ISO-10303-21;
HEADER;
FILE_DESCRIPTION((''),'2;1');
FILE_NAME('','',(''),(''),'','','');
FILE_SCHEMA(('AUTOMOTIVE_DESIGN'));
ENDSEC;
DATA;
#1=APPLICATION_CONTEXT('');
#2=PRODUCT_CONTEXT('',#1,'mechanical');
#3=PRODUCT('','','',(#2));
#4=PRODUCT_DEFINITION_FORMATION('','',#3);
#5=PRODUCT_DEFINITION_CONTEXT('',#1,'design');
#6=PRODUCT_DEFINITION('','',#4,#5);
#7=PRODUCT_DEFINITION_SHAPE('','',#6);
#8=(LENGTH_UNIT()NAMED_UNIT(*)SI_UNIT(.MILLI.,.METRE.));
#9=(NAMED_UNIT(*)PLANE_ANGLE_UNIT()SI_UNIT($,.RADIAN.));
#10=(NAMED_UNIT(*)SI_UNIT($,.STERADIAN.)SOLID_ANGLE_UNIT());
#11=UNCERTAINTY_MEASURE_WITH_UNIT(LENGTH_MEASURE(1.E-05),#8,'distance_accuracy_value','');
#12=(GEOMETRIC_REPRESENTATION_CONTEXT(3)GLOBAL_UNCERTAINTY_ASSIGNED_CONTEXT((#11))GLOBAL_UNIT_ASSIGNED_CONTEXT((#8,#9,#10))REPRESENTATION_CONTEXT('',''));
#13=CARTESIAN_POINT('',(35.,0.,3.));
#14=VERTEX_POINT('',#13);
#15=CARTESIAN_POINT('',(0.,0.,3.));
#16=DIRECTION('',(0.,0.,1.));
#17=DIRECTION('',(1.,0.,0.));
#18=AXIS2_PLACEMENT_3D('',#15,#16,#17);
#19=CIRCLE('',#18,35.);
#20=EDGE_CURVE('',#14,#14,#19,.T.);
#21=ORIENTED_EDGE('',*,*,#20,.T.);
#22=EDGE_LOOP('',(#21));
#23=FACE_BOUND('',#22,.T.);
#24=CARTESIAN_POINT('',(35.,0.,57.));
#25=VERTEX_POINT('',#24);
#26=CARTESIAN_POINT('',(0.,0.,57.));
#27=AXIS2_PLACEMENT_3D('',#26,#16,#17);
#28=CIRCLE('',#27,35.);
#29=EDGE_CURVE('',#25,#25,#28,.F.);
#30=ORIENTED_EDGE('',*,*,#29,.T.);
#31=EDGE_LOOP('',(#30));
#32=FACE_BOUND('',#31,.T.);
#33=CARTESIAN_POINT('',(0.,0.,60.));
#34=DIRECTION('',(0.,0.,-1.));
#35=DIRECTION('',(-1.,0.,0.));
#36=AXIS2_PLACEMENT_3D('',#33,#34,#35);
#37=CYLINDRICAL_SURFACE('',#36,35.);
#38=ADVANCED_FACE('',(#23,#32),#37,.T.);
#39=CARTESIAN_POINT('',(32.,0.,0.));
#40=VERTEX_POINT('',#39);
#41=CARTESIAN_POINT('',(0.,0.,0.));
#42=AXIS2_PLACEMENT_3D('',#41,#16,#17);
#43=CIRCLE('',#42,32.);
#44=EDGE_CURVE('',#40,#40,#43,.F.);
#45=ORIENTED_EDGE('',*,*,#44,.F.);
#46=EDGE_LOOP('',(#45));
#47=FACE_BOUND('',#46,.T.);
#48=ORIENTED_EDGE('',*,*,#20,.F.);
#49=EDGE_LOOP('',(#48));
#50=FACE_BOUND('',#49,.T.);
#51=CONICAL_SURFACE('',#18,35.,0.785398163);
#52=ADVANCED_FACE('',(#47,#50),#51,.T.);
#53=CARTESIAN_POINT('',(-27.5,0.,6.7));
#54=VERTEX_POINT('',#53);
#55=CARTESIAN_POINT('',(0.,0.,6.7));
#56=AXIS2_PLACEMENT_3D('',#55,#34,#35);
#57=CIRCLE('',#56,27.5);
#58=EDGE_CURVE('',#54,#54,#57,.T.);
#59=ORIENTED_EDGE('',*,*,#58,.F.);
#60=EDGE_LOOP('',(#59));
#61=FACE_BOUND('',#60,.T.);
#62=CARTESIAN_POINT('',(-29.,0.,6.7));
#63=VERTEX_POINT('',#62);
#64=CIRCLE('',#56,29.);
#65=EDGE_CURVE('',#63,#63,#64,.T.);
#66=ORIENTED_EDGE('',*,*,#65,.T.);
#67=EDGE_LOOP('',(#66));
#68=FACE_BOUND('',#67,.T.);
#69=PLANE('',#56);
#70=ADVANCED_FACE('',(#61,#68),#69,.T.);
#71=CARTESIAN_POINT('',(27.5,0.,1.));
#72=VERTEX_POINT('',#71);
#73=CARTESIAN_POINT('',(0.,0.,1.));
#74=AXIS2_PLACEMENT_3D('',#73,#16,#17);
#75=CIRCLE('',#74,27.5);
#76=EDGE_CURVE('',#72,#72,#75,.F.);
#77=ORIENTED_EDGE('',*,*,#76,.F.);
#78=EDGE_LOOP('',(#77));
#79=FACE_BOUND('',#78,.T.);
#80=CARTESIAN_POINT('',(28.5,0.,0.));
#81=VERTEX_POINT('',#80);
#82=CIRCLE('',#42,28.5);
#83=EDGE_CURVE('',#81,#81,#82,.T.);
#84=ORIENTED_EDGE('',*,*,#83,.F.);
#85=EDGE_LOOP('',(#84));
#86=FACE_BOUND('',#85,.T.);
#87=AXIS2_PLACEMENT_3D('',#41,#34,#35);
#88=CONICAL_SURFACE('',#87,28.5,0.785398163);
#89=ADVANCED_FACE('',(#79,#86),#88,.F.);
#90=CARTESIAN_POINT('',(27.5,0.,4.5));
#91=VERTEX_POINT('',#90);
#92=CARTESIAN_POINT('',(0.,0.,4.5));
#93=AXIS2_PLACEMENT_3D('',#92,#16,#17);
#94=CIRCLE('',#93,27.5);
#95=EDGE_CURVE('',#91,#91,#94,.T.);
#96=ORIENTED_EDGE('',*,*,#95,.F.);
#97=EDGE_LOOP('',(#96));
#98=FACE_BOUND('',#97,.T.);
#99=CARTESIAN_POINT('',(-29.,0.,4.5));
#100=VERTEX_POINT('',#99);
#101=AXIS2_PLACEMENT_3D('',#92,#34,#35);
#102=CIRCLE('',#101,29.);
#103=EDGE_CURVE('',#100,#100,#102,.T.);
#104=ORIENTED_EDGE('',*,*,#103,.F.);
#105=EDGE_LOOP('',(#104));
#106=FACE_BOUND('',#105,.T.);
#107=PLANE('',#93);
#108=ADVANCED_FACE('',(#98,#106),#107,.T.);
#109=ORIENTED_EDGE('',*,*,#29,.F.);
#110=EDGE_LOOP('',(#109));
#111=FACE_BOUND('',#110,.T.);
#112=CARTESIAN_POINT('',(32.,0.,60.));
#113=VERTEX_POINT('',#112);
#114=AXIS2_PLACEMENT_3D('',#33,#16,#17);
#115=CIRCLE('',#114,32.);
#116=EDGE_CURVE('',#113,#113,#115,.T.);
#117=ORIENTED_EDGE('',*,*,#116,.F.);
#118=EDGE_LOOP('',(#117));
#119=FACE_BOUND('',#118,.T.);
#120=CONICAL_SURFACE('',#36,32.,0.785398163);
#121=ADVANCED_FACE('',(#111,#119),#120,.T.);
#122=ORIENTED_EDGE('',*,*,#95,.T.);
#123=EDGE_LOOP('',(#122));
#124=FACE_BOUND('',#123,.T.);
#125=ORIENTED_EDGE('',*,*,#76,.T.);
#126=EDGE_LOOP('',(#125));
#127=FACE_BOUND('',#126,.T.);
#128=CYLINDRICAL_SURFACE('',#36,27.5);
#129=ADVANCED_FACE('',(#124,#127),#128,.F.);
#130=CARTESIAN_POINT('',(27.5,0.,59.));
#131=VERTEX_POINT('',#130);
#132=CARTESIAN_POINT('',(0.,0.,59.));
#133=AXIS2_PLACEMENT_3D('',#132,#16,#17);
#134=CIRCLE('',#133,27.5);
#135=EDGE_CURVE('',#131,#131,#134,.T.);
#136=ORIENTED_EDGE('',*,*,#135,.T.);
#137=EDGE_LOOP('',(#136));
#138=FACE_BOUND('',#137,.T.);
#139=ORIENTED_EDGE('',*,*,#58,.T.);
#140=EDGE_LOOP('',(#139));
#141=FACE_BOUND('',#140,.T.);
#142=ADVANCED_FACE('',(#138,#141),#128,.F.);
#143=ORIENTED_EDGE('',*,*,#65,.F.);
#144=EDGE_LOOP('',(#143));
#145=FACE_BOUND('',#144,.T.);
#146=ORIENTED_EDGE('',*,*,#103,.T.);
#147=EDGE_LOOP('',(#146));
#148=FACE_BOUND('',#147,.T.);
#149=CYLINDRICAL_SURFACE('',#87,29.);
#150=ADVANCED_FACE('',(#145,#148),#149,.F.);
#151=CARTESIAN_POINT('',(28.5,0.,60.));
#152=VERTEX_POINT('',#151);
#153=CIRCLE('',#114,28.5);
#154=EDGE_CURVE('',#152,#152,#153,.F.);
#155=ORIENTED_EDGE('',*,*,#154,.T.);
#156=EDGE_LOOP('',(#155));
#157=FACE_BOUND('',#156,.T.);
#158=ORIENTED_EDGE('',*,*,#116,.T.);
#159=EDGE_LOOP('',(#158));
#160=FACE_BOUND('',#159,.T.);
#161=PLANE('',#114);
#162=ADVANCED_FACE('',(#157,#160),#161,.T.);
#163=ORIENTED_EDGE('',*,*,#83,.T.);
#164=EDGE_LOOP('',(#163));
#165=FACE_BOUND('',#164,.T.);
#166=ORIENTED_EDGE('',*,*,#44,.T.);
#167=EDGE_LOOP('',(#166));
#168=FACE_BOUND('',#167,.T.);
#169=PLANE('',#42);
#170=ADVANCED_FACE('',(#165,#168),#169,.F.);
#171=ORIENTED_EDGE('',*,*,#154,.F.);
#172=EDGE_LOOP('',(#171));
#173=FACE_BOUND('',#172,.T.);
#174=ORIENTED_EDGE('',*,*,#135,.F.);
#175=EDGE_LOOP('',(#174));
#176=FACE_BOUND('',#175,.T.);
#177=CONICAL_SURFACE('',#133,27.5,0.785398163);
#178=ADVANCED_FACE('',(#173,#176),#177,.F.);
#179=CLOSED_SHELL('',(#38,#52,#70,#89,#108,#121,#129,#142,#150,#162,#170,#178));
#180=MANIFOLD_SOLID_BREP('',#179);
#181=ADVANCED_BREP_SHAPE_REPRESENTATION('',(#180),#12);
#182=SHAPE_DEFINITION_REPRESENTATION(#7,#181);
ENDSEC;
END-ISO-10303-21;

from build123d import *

# Parameters (mm, degrees)
SKETCH_1_R      = 35
SKETCH_1_R_2    = 27.5
EXTRUDE_1_DEPTH = 60
CHAMFER_1_SIZE  = 3
SKETCH_2_W      = 29
SKETCH_2_H      = 2.2
CHAMFER_2_SIZE  = 1


with BuildPart() as part:
    # 草图1 → 凸台-拉伸1 (new body)
    with BuildSketch(Plane.XY):
        Circle(SKETCH_1_R)
        Circle(SKETCH_1_R_2, mode=Mode.SUBTRACT)
    extrude(amount=EXTRUDE_1_DEPTH)

    # 倒角1
    chamfer_1_edges = [part.edges().sort_by_distance(p)[0] for p in [
        (-35, 0, 0),
        (-35, 0, 60),
    ]]
    chamfer(chamfer_1_edges, length=CHAMFER_1_SIZE)

    # 草图2 → 切除-旋转1 (revolve, cut)
    with BuildSketch(Plane(origin=(0, 0, 0), x_dir=(1, 0, 0), z_dir=(0, 1, 0)), mode=Mode.PRIVATE) as cut_revolve_1_sk:
        with Locations((14.5, -5.6)):
            Rectangle(SKETCH_2_W, SKETCH_2_H)
    revolve(cut_revolve_1_sk.sketch.rotate(Axis((0, 0, 0), (0, 0, 1)), 180), axis=Axis((0, 0, 0), (0, 0, 1)), mode=Mode.SUBTRACT)

    # 倒角2
    chamfer_2_edges = [part.edges().sort_by_distance(p)[0] for p in [
        (-27.5, 0, 0),
        (-27.5, 0, 60),
    ]]
    chamfer(chamfer_2_edges, length=CHAMFER_2_SIZE)


solid = part.part
